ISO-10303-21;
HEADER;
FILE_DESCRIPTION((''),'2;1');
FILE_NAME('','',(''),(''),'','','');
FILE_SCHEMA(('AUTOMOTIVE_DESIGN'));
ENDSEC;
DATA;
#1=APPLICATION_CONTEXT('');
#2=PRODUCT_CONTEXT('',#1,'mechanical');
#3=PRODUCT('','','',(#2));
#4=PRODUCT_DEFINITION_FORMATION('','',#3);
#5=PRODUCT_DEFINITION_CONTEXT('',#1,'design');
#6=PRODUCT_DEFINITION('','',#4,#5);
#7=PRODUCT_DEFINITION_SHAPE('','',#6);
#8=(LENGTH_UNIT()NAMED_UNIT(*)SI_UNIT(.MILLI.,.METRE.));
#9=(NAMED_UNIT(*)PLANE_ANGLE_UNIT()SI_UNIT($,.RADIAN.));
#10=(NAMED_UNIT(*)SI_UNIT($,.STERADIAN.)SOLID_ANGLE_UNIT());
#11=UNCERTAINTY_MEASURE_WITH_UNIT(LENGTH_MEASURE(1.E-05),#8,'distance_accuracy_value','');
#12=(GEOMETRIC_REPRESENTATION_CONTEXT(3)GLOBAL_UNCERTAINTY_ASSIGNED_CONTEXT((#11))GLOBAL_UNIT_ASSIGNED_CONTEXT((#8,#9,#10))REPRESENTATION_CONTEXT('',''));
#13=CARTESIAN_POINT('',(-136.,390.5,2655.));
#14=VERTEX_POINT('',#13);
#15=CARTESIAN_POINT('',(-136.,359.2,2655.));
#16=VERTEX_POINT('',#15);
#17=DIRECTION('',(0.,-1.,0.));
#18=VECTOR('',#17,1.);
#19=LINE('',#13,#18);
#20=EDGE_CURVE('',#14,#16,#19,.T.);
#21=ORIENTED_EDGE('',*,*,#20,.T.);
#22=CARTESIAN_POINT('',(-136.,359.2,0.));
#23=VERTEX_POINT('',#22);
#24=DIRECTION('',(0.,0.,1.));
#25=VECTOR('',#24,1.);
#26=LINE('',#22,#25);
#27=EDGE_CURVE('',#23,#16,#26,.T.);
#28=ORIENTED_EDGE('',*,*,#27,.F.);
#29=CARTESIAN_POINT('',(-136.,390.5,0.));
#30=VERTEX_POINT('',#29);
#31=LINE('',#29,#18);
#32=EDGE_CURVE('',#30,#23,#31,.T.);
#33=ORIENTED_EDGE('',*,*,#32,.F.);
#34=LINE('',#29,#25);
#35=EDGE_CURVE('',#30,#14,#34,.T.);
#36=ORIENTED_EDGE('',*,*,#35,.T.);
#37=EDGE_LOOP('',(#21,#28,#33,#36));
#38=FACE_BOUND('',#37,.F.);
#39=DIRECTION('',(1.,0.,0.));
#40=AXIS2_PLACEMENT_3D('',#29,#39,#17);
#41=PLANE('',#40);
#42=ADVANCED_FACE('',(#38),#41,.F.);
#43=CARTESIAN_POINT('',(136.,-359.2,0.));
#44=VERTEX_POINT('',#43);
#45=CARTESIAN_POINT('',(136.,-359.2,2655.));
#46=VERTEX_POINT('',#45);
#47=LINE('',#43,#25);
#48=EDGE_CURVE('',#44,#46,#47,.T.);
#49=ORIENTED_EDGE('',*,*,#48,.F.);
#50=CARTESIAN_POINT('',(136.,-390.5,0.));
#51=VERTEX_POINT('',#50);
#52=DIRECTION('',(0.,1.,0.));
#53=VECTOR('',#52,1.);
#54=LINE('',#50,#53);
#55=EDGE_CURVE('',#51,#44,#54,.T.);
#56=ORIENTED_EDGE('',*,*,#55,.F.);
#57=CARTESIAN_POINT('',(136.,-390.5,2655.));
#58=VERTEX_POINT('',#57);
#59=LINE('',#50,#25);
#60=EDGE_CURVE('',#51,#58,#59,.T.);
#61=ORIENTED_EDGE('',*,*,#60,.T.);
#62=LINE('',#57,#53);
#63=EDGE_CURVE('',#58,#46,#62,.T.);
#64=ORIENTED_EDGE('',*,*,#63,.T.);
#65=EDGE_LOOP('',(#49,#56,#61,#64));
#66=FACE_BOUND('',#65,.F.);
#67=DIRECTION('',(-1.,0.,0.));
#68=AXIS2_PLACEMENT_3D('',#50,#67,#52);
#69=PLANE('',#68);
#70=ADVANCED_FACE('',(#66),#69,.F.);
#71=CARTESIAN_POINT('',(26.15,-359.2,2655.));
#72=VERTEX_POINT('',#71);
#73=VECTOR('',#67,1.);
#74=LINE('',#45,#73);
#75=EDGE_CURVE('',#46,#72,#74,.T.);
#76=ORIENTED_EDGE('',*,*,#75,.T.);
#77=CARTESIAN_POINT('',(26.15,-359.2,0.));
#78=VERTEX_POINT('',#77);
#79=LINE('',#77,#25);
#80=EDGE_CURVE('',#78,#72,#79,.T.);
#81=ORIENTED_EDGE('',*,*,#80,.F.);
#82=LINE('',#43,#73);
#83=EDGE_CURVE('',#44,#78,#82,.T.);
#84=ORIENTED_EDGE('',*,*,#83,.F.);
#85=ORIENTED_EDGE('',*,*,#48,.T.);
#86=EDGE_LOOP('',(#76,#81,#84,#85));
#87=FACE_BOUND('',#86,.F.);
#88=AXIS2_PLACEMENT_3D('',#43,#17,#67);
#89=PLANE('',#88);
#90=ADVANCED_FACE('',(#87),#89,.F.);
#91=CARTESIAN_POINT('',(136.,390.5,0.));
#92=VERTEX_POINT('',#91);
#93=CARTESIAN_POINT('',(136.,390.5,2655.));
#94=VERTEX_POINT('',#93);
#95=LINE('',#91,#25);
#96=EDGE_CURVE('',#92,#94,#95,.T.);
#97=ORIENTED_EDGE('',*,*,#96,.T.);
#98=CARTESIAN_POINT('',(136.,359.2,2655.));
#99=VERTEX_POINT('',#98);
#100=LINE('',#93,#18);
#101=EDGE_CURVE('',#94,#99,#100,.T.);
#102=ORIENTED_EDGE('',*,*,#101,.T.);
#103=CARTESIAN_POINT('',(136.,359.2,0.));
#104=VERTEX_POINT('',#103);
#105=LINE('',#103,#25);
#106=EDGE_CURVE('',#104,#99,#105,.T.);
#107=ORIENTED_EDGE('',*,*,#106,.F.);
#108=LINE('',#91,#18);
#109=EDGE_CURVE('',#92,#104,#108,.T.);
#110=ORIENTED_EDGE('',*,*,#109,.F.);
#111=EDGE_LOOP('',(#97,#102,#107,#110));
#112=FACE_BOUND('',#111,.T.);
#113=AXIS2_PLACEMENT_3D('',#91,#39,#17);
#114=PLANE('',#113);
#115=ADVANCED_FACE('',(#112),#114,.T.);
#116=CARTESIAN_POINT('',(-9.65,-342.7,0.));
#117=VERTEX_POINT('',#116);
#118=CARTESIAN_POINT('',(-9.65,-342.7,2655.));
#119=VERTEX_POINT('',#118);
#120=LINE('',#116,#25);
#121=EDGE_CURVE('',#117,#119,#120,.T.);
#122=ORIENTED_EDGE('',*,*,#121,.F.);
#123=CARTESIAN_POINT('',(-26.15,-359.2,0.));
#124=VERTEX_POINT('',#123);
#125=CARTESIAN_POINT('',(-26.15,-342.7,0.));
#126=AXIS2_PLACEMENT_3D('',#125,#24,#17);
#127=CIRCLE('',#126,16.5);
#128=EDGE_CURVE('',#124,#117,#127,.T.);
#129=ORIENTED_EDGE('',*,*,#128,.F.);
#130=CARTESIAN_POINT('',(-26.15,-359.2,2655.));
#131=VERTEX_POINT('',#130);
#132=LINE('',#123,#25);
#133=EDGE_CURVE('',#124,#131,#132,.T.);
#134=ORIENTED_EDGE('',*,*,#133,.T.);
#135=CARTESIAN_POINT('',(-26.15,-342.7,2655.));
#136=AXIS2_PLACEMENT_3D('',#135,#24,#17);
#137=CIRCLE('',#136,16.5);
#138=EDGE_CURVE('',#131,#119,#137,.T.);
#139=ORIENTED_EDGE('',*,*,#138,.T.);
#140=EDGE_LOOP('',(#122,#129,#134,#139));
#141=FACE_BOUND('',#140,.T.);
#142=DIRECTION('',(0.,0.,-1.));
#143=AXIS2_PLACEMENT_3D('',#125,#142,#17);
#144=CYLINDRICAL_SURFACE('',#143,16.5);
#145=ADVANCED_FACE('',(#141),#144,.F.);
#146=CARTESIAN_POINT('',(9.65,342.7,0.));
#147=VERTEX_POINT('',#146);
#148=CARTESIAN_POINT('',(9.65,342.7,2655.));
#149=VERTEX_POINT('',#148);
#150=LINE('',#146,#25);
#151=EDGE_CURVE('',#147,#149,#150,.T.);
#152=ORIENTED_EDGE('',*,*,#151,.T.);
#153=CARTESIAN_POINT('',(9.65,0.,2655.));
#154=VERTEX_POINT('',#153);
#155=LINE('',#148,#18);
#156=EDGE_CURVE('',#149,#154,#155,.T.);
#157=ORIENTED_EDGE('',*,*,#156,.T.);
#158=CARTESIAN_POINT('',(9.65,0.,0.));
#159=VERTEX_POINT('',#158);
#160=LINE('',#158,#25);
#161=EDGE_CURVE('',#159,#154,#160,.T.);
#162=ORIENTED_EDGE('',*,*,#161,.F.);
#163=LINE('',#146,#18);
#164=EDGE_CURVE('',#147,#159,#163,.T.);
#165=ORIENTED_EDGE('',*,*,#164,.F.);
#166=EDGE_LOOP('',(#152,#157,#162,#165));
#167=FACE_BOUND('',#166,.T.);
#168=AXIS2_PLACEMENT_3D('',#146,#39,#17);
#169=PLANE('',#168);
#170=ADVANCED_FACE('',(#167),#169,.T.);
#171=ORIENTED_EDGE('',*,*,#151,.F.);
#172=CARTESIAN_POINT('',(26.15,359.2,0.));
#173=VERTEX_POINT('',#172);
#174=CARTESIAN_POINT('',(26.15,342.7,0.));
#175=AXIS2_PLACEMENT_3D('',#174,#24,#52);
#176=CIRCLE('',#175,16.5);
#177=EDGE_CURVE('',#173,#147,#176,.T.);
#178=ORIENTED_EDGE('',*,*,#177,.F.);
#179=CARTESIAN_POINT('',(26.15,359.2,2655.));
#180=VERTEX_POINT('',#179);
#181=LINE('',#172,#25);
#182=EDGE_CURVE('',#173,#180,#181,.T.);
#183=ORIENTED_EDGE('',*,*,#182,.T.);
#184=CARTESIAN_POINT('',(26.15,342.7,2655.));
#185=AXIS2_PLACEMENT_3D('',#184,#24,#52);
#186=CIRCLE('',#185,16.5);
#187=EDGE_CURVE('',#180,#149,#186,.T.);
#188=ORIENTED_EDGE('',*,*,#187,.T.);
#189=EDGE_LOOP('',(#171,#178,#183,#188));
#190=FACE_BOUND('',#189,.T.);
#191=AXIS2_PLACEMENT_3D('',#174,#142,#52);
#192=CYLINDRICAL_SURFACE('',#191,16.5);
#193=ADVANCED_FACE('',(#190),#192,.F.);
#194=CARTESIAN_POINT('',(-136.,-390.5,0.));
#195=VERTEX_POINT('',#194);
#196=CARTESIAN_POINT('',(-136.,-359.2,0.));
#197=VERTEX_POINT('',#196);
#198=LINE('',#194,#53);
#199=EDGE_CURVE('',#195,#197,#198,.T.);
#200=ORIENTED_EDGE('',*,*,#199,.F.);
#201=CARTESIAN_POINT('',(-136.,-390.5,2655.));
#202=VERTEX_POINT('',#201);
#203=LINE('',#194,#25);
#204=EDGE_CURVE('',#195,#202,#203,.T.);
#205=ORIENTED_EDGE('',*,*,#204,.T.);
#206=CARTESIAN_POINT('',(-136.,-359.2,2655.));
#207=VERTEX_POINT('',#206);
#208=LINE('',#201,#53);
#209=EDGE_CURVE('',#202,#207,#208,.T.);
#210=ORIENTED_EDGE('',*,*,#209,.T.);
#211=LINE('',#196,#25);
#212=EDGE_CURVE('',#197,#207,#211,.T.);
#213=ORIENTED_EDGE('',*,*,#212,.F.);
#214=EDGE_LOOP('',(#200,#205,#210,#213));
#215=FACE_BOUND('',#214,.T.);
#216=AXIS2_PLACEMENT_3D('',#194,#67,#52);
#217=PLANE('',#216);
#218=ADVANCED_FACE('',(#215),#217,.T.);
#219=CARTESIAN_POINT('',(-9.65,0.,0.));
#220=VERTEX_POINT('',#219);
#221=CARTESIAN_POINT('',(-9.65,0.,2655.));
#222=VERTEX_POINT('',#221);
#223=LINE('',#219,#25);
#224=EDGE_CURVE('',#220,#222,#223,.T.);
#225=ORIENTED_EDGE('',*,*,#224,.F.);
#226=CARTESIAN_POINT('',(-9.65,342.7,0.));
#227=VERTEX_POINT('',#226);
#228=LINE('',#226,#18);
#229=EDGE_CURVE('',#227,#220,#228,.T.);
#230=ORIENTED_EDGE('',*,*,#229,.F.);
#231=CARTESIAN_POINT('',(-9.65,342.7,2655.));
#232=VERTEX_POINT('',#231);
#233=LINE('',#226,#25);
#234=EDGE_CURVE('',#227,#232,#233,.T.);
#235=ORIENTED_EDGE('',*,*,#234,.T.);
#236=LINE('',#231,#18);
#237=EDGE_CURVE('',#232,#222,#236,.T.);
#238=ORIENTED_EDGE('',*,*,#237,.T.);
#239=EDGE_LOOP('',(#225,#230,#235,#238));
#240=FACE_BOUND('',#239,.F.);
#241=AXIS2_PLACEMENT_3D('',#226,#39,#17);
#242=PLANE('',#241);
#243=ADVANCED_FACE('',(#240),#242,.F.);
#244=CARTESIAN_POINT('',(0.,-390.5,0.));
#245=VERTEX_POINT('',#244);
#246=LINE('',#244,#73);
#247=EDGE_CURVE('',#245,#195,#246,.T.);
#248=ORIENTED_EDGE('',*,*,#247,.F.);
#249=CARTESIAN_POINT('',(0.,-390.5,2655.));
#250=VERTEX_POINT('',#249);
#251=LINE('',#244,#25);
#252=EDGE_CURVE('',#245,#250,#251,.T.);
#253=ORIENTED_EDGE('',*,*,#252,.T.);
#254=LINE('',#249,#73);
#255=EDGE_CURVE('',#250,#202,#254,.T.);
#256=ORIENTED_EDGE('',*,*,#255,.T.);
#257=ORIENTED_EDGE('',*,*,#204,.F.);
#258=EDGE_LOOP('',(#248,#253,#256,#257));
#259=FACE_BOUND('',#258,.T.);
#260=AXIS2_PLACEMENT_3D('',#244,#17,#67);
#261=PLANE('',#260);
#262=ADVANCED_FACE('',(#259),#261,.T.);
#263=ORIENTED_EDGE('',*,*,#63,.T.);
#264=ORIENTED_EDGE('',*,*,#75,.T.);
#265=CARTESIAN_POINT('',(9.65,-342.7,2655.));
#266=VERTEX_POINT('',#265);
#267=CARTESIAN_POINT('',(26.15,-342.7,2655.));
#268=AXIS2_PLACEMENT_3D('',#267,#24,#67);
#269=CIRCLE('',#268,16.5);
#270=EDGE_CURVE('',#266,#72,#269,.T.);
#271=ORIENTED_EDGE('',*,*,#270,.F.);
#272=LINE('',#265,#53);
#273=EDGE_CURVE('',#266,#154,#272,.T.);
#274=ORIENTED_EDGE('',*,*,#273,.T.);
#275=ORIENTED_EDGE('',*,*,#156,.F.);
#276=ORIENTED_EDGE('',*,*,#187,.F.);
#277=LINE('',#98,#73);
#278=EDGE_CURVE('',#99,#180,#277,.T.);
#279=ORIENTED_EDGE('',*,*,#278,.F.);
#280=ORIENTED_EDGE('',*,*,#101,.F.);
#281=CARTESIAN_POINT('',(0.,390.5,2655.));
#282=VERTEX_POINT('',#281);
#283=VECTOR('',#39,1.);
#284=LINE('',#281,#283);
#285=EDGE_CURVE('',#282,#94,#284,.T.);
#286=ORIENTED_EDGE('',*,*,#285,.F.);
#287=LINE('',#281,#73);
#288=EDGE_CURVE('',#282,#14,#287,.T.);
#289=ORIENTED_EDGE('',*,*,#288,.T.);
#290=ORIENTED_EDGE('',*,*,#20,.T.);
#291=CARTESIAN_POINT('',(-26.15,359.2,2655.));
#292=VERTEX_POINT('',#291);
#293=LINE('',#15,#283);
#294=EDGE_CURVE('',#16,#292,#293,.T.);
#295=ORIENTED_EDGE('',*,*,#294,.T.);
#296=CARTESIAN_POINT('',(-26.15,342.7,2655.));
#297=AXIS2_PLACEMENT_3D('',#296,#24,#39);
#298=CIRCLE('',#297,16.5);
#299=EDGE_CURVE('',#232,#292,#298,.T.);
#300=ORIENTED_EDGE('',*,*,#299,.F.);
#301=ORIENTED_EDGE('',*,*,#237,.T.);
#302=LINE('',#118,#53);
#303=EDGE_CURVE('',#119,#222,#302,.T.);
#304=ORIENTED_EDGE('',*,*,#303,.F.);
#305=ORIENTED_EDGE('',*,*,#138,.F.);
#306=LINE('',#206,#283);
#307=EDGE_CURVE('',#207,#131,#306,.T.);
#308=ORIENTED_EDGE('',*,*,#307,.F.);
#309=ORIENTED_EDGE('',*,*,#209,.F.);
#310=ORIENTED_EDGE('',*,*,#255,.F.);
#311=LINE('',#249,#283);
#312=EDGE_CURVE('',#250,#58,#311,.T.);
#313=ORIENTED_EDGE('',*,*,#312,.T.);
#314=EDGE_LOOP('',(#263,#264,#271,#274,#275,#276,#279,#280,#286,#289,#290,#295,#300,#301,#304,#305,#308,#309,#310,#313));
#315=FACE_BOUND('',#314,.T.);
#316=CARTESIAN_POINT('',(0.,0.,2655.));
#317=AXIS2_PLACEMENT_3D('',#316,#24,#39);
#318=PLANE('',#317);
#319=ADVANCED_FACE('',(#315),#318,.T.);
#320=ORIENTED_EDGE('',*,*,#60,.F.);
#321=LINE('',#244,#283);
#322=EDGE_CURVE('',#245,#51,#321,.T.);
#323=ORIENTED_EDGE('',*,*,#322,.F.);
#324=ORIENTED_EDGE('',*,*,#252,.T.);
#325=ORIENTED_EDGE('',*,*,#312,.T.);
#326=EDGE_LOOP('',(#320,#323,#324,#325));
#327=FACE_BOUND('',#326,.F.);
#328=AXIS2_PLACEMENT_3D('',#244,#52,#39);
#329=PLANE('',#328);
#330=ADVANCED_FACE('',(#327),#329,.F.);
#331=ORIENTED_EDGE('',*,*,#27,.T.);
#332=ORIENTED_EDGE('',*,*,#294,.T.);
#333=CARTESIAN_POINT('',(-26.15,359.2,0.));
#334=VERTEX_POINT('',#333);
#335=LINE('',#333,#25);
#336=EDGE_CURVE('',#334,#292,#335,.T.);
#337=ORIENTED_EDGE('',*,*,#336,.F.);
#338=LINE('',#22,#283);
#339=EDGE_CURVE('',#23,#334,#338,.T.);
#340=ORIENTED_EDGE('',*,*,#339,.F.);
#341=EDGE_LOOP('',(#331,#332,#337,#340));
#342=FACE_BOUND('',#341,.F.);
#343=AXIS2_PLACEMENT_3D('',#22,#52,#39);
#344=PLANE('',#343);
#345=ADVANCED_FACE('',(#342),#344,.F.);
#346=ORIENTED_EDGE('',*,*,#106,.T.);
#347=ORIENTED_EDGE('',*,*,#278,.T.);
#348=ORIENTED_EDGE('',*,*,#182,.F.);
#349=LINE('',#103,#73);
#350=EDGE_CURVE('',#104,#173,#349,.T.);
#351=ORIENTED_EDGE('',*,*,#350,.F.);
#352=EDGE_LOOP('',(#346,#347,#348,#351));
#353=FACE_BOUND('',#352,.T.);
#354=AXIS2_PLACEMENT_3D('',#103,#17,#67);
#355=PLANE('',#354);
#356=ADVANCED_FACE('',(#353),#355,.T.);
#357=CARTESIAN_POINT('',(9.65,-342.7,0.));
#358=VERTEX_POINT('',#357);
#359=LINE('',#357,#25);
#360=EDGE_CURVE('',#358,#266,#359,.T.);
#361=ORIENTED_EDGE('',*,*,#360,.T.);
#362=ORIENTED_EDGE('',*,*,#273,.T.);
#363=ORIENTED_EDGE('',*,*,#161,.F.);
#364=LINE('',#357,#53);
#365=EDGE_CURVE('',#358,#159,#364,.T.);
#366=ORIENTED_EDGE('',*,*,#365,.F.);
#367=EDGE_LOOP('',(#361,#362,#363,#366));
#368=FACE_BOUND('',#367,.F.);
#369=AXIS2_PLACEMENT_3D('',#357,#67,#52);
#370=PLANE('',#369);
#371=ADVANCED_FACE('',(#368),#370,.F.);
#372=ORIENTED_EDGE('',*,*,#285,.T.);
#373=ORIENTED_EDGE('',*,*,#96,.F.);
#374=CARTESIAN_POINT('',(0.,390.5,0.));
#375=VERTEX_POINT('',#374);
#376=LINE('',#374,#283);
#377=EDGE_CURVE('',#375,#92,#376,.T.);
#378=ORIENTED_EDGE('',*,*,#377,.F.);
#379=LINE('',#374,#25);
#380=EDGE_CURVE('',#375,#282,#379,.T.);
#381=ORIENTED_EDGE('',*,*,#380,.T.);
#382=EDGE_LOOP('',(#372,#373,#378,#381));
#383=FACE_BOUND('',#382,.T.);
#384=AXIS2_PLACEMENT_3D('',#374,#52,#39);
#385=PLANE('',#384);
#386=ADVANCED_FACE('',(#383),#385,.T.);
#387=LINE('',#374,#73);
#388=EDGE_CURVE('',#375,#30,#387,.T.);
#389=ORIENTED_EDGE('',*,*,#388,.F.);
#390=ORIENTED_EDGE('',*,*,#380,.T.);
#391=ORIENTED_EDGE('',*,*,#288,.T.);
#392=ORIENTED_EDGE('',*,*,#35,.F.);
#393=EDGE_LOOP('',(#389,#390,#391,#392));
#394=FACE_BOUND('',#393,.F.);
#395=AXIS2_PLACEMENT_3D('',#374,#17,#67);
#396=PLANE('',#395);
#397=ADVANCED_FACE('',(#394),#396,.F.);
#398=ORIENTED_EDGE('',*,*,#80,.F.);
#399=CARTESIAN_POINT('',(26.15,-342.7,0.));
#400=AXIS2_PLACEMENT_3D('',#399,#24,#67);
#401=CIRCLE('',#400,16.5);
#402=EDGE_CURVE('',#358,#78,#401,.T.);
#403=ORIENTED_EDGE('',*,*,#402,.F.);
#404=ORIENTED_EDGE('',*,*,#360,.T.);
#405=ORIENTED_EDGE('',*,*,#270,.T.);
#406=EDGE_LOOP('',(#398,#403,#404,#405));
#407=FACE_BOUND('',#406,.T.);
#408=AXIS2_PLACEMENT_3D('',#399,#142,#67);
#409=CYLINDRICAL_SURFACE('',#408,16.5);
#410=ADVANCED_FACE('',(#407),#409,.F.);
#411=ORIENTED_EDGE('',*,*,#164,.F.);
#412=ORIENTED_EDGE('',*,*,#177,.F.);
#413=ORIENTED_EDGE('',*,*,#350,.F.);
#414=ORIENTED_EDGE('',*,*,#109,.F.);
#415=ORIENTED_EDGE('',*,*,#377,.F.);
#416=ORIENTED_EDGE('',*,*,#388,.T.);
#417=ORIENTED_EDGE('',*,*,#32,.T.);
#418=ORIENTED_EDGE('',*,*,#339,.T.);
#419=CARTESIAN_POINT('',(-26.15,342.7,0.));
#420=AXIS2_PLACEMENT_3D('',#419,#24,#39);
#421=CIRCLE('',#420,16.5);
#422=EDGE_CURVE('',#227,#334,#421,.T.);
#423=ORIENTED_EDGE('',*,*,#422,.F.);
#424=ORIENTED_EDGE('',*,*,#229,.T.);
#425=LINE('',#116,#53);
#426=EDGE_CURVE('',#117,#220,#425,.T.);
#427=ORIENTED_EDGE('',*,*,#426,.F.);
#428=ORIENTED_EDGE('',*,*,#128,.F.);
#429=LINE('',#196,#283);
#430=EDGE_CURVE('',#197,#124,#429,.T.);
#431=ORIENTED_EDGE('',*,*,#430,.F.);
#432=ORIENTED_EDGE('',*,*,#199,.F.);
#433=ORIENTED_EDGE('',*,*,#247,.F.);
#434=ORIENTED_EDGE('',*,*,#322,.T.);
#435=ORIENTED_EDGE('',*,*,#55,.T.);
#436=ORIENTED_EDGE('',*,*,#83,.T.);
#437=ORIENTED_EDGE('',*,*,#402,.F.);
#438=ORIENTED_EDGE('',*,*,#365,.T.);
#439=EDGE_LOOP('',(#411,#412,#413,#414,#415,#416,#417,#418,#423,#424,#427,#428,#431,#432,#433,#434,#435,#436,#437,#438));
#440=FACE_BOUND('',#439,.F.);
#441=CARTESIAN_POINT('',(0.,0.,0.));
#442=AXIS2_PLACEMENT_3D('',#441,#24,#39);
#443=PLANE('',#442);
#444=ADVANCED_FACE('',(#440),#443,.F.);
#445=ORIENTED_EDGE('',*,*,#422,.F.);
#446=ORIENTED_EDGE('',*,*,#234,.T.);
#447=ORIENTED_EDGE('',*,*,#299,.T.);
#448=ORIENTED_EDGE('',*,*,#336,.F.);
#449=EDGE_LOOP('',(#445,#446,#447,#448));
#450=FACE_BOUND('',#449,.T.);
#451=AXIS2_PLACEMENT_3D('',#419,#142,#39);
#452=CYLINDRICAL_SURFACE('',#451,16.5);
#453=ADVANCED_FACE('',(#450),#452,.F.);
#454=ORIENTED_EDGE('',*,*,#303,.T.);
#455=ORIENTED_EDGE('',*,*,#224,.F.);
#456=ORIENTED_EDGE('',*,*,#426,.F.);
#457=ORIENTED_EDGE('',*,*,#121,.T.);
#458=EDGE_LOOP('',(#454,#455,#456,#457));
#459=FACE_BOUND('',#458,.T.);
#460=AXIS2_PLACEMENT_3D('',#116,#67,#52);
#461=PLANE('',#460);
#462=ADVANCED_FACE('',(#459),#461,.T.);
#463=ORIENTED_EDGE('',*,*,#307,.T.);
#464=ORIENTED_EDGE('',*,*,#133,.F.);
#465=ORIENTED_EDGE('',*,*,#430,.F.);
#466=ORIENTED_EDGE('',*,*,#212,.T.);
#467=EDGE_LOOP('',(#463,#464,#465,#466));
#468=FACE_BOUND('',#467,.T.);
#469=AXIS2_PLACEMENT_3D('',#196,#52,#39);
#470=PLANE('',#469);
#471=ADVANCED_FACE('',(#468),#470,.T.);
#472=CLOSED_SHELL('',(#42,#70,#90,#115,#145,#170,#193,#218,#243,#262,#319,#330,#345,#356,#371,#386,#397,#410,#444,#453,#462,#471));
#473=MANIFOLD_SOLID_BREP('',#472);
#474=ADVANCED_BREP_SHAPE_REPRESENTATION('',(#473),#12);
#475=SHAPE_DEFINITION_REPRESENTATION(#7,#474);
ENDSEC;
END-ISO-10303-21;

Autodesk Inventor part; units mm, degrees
ref_plane "YZ Plane" through (0, 0, 0) normal (1, 0, 0) x (0, 1, 0)
ref_plane "Start plane" through (0, 0, 0) normal (0, 0, 1) x (1, 0, 0)
ref_plane "End plane" through (0, 0, 2655) normal (0, 0, 1) x (1, 0, 0)
sketch "Sketch" plane through (0, 0, 0) normal (0, 0, 1) x (1, 0, 0)
  line L0 (-136, -390.5) -> (-136, -359.2)
  line L1 (-136, -359.2) -> (-26.15, -359.2)
  line L2 (-9.65, -342.7) -> (-9.65, 0)
  line L3 (-9.65, 0) -> (0, 0) construction
  line L4 (0, 0) -> (0, -390.5) construction
  line L5 (0, -390.5) -> (-136, -390.5)
  line L6 (-60, 0) -> (80, 0) construction
  line L7 (0, -60) -> (0, 80) construction
  line L8 (136, -390.5) -> (136, -359.2)
  line L9 (136, -359.2) -> (26.15, -359.2)
  line L10 (9.65, -342.7) -> (9.65, 0)
  line L11 (9.65, 0) -> (0, 0) construction
  line L12 (0, -390.5) -> (136, -390.5)
  line L13 (-136, 390.5) -> (-136, 359.2)
  line L14 (-136, 359.2) -> (-26.15, 359.2)
  line L15 (-9.65, 342.7) -> (-9.65, 0)
  line L16 (0, 390.5) -> (-136, 390.5)
  line L17 (136, 390.5) -> (136, 359.2)
  line L18 (136, 359.2) -> (26.15, 359.2)
  line L19 (0, 390.5) -> (136, 390.5)
  line L20 (9.65, 342.7) -> (9.65, 0)
  arc A0 (-9.65, 342.7) -> (-26.15, 359.2) centre (-26.15, 342.7) ccw
  arc A1 (26.15, 359.2) -> (9.65, 342.7) centre (26.15, 342.7) ccw
  arc A2 (9.65, -342.7) -> (26.15, -359.2) centre (26.15, -342.7) ccw
  arc A3 (-26.15, -359.2) -> (-9.65, -342.7) centre (-26.15, -342.7) ccw
  line L21 (0, 108) -> (0, -88) construction
  line L22 (-88, 0) -> (108, 0) construction
  point P0 (-9.65, -359.2)
  point P1 (9.65, -359.2)
  point P2 (-9.65, 359.2)
  point P3 (9.65, 359.2)
  dimension "d1" = 390.5
  dimension "d2" = 31.3
  dimension "d3" = 136
  dimension "d4" = 9.65
  dimension "d10" = 16.5
extrude "Body" add sketch "Sketch" along normal up to surface (2655 mm away) from surface at 0
sketch "Sketch4" plane through (0, 0, 0) normal (0, 0, 1) x (1, 0, 0)
  line L0 (0, 0) -> (10, 0)
ref_plane "Work Plane3" through (0, 0, 0) normal (0, -1, 0) x (1, 0, 0)
sketch "Sketch5" plane through (0, 0, 0) normal (0, -1, 0) x (1, 0, 0)
  line L0 (-2, 0) -> (12, 0) projected
  line L1 (-2, 2655) -> (12, 2655) projected
  dimension "d14" = 2655
equation "\"d1\" = 0.5 * G_H"
equation "\"d2\" = G_T1"
equation "\"d3\" = 0.5 * G_W"
equation "\"d4\" = 0.5 * G_T"
equation "\"d10\" = G_IR"
equation "\"d5\" = G_L"
equation "\"G_W\" = 272"
equation "\"G_H\" = 781"
equation "\"G_T\" = 19.3"
equation "\"G_T1\" = 31.3"
equation "\"G_IR\" = 16.5"
equation "\"G_L\" = d14"
equation "\"G_OFFSET_START\" = 0"
equation "\"G_OFFSET_END\" = 0"
equation "\"d12\" = G_OFFSET_END + B_L"
equation "\"B_L\" = 2655"
properties part number "AS 3679-1990 - 760 UB - 244 - 2655" material "Steel, Mild"
